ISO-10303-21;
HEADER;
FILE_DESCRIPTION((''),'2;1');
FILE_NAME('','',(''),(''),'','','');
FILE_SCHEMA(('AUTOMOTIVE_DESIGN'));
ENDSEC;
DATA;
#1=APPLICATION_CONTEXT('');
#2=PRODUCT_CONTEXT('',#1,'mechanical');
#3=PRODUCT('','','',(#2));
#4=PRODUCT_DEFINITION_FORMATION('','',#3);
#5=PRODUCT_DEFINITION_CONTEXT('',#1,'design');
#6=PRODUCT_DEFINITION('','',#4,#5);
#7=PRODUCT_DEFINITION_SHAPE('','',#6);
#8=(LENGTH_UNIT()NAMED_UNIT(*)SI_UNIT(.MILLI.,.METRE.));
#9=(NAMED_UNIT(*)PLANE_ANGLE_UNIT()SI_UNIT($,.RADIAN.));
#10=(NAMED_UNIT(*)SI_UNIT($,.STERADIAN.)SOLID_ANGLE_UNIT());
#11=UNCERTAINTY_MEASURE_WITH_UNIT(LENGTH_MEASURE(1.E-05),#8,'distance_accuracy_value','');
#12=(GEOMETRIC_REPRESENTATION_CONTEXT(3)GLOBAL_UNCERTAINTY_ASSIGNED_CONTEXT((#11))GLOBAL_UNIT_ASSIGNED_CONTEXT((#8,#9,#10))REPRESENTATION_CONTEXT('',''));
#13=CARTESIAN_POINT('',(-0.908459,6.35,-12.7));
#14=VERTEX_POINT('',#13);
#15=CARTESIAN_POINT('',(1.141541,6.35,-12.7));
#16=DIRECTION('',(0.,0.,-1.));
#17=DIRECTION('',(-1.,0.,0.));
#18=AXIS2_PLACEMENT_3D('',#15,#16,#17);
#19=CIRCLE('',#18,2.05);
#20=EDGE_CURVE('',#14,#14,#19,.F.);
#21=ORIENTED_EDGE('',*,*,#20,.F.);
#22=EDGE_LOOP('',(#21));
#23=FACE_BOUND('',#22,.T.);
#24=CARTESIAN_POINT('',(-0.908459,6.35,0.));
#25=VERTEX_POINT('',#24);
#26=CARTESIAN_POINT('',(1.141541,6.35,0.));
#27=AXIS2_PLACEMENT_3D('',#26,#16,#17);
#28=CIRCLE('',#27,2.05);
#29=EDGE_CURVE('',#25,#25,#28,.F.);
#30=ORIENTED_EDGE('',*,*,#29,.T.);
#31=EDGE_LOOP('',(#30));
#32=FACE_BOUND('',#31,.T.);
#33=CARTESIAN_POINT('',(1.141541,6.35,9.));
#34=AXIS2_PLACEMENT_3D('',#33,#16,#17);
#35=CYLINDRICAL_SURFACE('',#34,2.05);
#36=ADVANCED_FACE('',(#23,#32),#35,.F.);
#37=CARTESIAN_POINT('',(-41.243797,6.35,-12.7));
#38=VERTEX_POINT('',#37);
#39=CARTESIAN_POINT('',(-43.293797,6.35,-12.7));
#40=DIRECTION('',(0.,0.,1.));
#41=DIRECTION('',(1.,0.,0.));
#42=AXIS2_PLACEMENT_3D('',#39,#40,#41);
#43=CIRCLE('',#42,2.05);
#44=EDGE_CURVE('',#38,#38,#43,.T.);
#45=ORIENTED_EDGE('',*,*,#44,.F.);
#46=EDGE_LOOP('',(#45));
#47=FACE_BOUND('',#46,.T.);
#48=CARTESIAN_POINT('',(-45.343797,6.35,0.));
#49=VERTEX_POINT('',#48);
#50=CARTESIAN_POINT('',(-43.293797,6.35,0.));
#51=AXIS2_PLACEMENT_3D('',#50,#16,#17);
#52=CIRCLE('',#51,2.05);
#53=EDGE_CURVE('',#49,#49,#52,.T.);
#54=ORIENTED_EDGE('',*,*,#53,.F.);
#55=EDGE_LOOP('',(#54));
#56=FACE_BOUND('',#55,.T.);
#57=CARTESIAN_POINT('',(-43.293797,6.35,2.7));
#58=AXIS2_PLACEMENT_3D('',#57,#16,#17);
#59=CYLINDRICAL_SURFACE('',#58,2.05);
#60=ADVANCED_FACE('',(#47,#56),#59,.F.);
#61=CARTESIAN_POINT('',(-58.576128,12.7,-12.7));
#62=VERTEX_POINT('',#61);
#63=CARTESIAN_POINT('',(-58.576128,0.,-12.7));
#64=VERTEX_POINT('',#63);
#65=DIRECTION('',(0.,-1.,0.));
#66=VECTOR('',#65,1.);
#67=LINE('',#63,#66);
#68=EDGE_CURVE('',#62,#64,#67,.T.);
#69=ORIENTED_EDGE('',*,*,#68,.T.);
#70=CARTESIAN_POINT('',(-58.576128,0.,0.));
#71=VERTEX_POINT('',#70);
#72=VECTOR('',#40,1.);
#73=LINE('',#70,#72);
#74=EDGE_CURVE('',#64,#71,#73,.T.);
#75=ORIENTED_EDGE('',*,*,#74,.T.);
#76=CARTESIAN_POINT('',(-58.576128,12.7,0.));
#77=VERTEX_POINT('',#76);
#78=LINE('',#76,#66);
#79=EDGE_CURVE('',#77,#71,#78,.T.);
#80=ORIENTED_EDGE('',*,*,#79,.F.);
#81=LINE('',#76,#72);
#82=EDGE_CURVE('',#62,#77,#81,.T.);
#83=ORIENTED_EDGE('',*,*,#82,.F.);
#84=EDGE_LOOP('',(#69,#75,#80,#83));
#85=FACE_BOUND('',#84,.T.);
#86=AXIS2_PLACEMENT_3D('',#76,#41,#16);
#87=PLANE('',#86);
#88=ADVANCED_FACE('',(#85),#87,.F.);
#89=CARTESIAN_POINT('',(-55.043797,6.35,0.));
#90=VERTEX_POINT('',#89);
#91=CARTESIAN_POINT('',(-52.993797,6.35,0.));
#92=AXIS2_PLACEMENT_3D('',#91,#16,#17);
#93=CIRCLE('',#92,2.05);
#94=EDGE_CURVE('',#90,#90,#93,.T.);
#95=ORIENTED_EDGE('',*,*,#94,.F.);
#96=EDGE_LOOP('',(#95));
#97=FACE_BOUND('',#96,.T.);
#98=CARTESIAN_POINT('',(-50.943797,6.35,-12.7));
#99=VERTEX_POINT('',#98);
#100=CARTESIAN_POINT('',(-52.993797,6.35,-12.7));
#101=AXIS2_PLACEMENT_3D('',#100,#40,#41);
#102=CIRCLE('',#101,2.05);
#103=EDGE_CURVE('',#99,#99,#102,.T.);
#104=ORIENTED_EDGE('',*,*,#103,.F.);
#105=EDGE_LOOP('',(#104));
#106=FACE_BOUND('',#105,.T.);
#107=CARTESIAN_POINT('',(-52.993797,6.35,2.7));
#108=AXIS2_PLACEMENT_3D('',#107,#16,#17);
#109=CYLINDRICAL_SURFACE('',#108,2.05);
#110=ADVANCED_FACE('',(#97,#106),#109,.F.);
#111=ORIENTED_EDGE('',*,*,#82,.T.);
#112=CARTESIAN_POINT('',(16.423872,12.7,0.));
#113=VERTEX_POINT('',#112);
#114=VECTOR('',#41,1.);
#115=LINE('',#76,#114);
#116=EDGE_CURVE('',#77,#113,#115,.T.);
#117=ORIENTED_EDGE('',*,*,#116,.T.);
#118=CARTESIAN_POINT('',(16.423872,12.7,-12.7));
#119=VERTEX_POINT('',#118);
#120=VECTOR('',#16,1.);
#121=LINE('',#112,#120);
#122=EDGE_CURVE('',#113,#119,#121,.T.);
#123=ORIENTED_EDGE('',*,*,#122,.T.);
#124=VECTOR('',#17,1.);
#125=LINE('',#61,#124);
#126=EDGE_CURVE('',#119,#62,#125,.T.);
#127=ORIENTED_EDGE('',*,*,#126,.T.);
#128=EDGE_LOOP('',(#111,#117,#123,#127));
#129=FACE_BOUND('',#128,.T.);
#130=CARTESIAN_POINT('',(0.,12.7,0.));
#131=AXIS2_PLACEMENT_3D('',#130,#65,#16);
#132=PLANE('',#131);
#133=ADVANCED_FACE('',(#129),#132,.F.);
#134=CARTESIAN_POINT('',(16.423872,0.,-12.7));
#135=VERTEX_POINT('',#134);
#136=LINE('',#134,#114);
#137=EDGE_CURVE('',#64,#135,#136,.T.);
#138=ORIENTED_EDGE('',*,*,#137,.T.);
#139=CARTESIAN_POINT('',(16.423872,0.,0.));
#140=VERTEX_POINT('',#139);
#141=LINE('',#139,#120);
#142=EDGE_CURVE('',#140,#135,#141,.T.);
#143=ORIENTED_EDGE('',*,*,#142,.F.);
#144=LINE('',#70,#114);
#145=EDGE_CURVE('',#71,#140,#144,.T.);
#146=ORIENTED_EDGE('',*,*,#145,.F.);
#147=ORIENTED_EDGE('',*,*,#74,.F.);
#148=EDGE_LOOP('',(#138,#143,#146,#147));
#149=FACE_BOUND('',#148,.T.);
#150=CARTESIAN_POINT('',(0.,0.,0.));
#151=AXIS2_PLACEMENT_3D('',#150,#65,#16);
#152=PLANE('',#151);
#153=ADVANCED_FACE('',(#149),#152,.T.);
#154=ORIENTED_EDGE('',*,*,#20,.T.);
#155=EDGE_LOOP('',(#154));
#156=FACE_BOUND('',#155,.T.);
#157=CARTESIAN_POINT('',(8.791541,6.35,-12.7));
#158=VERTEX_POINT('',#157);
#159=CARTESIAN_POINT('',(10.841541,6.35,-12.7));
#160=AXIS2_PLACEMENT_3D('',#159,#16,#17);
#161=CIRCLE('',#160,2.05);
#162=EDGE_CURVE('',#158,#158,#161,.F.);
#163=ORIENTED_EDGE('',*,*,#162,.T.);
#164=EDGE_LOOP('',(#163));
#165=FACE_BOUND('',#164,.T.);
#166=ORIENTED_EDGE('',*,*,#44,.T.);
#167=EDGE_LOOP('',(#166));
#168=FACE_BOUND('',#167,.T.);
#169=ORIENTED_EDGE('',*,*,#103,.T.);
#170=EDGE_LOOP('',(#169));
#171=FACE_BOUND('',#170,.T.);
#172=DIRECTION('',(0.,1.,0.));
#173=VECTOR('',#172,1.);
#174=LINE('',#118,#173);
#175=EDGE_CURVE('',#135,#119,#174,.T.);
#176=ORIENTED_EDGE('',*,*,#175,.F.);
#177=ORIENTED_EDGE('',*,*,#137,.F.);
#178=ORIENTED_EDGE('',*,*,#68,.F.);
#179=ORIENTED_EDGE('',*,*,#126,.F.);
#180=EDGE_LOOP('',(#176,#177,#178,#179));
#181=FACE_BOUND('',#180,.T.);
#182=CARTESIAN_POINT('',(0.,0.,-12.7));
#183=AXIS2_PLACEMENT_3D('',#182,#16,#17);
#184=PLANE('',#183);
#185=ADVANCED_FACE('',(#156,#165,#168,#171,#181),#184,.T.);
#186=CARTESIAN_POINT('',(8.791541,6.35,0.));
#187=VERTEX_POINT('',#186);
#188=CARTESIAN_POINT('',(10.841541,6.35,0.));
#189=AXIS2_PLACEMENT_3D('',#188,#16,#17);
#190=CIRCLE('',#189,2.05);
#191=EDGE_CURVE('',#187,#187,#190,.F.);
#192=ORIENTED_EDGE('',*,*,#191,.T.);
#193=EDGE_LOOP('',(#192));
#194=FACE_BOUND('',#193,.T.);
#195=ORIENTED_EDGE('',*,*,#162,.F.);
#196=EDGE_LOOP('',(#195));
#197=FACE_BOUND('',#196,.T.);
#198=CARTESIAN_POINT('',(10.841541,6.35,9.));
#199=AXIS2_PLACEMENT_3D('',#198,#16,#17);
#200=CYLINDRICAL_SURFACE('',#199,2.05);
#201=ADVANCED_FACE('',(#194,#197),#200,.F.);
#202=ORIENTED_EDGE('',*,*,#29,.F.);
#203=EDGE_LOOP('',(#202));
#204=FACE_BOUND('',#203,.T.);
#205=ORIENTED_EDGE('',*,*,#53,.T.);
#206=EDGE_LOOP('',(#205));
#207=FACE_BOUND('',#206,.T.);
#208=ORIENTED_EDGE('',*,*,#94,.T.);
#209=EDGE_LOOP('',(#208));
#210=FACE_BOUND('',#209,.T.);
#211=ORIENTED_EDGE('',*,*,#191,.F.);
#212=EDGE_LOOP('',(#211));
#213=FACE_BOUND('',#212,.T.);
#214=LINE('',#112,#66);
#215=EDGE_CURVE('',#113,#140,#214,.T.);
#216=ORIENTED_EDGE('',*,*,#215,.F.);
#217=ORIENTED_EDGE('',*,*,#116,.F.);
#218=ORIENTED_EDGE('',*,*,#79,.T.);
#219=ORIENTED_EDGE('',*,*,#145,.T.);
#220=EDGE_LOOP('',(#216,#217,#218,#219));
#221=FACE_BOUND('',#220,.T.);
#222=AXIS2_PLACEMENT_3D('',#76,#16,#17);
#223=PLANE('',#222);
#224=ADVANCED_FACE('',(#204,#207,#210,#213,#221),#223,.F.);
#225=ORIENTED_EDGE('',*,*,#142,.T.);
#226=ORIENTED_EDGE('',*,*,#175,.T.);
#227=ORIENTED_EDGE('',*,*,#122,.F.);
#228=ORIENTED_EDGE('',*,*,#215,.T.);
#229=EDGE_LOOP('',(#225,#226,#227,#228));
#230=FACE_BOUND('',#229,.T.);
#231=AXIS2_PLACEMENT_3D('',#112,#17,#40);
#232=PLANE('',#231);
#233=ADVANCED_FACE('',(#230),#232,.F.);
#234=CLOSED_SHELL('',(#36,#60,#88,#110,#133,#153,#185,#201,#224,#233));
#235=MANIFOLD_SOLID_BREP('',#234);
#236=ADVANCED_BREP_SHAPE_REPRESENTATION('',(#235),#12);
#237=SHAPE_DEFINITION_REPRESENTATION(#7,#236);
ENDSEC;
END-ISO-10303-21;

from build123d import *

# Parameters (mm, degrees)
BOSS_EXTRUDE1_DEPTH = 12.7
CUT_EXTRUDE1_DEPTH  = 12.7
BOSS_EXTRUDE3_START = -12.7
SKETCH3_W           = 75
SKETCH3_H           = 12.7
SKETCH3_R           = 2.05
BOSS_EXTRUDE3_DEPTH = 12.7
SKETCH4_R           = 2.05
CUT_EXTRUDE2_DEPTH  = 21.7


with BuildPart() as part:
    # Sketch1 → Boss-Extrude1 (new body)
    with BuildSketch(Plane(origin=(0, 0, 0), x_dir=(1, 0, 0), z_dir=(0, 1, 0))):
        Polygon((-58.57612782, 0), (16.42387218, 0), (16.42387218, 5), (-37.711466165, 5), (-37.711466165, 10), (-58.57612782, 10), align=None)
    extrude(amount=BOSS_EXTRUDE1_DEPTH)

    # Sketch2 → Cut-Extrude1 (cut)
    with BuildSketch(Plane(origin=(0, 0, -10), x_dir=(-1, 0, 0), z_dir=(0, 0, -1))):
        with BuildLine():
            ThreePointArc((41.243796992, 6.35), (43.293796992, 4.3), (45.343796992, 6.35))
            Line((45.343796992, 6.35), (41.243796992, 6.35))
        make_face()
        with BuildLine():
            Line((41.243796992, 6.35), (45.343796992, 6.35))
            ThreePointArc((45.343796992, 6.35), (43.293796992, 8.4), (41.243796992, 6.35))
        make_face()
        with BuildLine():
            ThreePointArc((55.043796992, 6.35), (52.993796992, 8.4), (50.943796992, 6.35))
            Line((50.943796992, 6.35), (55.043796992, 6.35))
        make_face()
        with BuildLine():
            Line((55.043796992, 6.35), (50.943796992, 6.35))
            ThreePointArc((50.943796992, 6.35), (52.993796992, 4.3), (55.043796992, 6.35))
        make_face()
    extrude(amount=-CUT_EXTRUDE1_DEPTH, mode=Mode.SUBTRACT)

    # Sketch3 → Boss-Extrude3 (add)
    with BuildSketch(Plane.XY.offset(BOSS_EXTRUDE3_START)):
        with Locations((-21.07612782, 6.35)):
            Rectangle(SKETCH3_W, SKETCH3_H)
        with Locations(Location((-52.993796992, 6.35, 0), (0, 0, 180))):
            Circle(SKETCH3_R, mode=Mode.SUBTRACT)
        with Locations(Location((-43.293796992, 6.35, 0), (0, 0, 180))):
            Circle(SKETCH3_R, mode=Mode.SUBTRACT)
    extrude(amount=BOSS_EXTRUDE3_DEPTH)

    # Sketch4 → Cut-Extrude2 (cut)
    with BuildSketch(Plane(origin=(0, 0, -12.7), x_dir=(-1, 0, 0), z_dir=(0, 0, -1))):
        with Locations((-10.841541353, 6.35)):
            Circle(SKETCH4_R)
        with Locations((-1.141541353, 6.35)):
            Circle(SKETCH4_R)
    extrude(amount=-CUT_EXTRUDE2_DEPTH, mode=Mode.SUBTRACT)


solid = part.part
